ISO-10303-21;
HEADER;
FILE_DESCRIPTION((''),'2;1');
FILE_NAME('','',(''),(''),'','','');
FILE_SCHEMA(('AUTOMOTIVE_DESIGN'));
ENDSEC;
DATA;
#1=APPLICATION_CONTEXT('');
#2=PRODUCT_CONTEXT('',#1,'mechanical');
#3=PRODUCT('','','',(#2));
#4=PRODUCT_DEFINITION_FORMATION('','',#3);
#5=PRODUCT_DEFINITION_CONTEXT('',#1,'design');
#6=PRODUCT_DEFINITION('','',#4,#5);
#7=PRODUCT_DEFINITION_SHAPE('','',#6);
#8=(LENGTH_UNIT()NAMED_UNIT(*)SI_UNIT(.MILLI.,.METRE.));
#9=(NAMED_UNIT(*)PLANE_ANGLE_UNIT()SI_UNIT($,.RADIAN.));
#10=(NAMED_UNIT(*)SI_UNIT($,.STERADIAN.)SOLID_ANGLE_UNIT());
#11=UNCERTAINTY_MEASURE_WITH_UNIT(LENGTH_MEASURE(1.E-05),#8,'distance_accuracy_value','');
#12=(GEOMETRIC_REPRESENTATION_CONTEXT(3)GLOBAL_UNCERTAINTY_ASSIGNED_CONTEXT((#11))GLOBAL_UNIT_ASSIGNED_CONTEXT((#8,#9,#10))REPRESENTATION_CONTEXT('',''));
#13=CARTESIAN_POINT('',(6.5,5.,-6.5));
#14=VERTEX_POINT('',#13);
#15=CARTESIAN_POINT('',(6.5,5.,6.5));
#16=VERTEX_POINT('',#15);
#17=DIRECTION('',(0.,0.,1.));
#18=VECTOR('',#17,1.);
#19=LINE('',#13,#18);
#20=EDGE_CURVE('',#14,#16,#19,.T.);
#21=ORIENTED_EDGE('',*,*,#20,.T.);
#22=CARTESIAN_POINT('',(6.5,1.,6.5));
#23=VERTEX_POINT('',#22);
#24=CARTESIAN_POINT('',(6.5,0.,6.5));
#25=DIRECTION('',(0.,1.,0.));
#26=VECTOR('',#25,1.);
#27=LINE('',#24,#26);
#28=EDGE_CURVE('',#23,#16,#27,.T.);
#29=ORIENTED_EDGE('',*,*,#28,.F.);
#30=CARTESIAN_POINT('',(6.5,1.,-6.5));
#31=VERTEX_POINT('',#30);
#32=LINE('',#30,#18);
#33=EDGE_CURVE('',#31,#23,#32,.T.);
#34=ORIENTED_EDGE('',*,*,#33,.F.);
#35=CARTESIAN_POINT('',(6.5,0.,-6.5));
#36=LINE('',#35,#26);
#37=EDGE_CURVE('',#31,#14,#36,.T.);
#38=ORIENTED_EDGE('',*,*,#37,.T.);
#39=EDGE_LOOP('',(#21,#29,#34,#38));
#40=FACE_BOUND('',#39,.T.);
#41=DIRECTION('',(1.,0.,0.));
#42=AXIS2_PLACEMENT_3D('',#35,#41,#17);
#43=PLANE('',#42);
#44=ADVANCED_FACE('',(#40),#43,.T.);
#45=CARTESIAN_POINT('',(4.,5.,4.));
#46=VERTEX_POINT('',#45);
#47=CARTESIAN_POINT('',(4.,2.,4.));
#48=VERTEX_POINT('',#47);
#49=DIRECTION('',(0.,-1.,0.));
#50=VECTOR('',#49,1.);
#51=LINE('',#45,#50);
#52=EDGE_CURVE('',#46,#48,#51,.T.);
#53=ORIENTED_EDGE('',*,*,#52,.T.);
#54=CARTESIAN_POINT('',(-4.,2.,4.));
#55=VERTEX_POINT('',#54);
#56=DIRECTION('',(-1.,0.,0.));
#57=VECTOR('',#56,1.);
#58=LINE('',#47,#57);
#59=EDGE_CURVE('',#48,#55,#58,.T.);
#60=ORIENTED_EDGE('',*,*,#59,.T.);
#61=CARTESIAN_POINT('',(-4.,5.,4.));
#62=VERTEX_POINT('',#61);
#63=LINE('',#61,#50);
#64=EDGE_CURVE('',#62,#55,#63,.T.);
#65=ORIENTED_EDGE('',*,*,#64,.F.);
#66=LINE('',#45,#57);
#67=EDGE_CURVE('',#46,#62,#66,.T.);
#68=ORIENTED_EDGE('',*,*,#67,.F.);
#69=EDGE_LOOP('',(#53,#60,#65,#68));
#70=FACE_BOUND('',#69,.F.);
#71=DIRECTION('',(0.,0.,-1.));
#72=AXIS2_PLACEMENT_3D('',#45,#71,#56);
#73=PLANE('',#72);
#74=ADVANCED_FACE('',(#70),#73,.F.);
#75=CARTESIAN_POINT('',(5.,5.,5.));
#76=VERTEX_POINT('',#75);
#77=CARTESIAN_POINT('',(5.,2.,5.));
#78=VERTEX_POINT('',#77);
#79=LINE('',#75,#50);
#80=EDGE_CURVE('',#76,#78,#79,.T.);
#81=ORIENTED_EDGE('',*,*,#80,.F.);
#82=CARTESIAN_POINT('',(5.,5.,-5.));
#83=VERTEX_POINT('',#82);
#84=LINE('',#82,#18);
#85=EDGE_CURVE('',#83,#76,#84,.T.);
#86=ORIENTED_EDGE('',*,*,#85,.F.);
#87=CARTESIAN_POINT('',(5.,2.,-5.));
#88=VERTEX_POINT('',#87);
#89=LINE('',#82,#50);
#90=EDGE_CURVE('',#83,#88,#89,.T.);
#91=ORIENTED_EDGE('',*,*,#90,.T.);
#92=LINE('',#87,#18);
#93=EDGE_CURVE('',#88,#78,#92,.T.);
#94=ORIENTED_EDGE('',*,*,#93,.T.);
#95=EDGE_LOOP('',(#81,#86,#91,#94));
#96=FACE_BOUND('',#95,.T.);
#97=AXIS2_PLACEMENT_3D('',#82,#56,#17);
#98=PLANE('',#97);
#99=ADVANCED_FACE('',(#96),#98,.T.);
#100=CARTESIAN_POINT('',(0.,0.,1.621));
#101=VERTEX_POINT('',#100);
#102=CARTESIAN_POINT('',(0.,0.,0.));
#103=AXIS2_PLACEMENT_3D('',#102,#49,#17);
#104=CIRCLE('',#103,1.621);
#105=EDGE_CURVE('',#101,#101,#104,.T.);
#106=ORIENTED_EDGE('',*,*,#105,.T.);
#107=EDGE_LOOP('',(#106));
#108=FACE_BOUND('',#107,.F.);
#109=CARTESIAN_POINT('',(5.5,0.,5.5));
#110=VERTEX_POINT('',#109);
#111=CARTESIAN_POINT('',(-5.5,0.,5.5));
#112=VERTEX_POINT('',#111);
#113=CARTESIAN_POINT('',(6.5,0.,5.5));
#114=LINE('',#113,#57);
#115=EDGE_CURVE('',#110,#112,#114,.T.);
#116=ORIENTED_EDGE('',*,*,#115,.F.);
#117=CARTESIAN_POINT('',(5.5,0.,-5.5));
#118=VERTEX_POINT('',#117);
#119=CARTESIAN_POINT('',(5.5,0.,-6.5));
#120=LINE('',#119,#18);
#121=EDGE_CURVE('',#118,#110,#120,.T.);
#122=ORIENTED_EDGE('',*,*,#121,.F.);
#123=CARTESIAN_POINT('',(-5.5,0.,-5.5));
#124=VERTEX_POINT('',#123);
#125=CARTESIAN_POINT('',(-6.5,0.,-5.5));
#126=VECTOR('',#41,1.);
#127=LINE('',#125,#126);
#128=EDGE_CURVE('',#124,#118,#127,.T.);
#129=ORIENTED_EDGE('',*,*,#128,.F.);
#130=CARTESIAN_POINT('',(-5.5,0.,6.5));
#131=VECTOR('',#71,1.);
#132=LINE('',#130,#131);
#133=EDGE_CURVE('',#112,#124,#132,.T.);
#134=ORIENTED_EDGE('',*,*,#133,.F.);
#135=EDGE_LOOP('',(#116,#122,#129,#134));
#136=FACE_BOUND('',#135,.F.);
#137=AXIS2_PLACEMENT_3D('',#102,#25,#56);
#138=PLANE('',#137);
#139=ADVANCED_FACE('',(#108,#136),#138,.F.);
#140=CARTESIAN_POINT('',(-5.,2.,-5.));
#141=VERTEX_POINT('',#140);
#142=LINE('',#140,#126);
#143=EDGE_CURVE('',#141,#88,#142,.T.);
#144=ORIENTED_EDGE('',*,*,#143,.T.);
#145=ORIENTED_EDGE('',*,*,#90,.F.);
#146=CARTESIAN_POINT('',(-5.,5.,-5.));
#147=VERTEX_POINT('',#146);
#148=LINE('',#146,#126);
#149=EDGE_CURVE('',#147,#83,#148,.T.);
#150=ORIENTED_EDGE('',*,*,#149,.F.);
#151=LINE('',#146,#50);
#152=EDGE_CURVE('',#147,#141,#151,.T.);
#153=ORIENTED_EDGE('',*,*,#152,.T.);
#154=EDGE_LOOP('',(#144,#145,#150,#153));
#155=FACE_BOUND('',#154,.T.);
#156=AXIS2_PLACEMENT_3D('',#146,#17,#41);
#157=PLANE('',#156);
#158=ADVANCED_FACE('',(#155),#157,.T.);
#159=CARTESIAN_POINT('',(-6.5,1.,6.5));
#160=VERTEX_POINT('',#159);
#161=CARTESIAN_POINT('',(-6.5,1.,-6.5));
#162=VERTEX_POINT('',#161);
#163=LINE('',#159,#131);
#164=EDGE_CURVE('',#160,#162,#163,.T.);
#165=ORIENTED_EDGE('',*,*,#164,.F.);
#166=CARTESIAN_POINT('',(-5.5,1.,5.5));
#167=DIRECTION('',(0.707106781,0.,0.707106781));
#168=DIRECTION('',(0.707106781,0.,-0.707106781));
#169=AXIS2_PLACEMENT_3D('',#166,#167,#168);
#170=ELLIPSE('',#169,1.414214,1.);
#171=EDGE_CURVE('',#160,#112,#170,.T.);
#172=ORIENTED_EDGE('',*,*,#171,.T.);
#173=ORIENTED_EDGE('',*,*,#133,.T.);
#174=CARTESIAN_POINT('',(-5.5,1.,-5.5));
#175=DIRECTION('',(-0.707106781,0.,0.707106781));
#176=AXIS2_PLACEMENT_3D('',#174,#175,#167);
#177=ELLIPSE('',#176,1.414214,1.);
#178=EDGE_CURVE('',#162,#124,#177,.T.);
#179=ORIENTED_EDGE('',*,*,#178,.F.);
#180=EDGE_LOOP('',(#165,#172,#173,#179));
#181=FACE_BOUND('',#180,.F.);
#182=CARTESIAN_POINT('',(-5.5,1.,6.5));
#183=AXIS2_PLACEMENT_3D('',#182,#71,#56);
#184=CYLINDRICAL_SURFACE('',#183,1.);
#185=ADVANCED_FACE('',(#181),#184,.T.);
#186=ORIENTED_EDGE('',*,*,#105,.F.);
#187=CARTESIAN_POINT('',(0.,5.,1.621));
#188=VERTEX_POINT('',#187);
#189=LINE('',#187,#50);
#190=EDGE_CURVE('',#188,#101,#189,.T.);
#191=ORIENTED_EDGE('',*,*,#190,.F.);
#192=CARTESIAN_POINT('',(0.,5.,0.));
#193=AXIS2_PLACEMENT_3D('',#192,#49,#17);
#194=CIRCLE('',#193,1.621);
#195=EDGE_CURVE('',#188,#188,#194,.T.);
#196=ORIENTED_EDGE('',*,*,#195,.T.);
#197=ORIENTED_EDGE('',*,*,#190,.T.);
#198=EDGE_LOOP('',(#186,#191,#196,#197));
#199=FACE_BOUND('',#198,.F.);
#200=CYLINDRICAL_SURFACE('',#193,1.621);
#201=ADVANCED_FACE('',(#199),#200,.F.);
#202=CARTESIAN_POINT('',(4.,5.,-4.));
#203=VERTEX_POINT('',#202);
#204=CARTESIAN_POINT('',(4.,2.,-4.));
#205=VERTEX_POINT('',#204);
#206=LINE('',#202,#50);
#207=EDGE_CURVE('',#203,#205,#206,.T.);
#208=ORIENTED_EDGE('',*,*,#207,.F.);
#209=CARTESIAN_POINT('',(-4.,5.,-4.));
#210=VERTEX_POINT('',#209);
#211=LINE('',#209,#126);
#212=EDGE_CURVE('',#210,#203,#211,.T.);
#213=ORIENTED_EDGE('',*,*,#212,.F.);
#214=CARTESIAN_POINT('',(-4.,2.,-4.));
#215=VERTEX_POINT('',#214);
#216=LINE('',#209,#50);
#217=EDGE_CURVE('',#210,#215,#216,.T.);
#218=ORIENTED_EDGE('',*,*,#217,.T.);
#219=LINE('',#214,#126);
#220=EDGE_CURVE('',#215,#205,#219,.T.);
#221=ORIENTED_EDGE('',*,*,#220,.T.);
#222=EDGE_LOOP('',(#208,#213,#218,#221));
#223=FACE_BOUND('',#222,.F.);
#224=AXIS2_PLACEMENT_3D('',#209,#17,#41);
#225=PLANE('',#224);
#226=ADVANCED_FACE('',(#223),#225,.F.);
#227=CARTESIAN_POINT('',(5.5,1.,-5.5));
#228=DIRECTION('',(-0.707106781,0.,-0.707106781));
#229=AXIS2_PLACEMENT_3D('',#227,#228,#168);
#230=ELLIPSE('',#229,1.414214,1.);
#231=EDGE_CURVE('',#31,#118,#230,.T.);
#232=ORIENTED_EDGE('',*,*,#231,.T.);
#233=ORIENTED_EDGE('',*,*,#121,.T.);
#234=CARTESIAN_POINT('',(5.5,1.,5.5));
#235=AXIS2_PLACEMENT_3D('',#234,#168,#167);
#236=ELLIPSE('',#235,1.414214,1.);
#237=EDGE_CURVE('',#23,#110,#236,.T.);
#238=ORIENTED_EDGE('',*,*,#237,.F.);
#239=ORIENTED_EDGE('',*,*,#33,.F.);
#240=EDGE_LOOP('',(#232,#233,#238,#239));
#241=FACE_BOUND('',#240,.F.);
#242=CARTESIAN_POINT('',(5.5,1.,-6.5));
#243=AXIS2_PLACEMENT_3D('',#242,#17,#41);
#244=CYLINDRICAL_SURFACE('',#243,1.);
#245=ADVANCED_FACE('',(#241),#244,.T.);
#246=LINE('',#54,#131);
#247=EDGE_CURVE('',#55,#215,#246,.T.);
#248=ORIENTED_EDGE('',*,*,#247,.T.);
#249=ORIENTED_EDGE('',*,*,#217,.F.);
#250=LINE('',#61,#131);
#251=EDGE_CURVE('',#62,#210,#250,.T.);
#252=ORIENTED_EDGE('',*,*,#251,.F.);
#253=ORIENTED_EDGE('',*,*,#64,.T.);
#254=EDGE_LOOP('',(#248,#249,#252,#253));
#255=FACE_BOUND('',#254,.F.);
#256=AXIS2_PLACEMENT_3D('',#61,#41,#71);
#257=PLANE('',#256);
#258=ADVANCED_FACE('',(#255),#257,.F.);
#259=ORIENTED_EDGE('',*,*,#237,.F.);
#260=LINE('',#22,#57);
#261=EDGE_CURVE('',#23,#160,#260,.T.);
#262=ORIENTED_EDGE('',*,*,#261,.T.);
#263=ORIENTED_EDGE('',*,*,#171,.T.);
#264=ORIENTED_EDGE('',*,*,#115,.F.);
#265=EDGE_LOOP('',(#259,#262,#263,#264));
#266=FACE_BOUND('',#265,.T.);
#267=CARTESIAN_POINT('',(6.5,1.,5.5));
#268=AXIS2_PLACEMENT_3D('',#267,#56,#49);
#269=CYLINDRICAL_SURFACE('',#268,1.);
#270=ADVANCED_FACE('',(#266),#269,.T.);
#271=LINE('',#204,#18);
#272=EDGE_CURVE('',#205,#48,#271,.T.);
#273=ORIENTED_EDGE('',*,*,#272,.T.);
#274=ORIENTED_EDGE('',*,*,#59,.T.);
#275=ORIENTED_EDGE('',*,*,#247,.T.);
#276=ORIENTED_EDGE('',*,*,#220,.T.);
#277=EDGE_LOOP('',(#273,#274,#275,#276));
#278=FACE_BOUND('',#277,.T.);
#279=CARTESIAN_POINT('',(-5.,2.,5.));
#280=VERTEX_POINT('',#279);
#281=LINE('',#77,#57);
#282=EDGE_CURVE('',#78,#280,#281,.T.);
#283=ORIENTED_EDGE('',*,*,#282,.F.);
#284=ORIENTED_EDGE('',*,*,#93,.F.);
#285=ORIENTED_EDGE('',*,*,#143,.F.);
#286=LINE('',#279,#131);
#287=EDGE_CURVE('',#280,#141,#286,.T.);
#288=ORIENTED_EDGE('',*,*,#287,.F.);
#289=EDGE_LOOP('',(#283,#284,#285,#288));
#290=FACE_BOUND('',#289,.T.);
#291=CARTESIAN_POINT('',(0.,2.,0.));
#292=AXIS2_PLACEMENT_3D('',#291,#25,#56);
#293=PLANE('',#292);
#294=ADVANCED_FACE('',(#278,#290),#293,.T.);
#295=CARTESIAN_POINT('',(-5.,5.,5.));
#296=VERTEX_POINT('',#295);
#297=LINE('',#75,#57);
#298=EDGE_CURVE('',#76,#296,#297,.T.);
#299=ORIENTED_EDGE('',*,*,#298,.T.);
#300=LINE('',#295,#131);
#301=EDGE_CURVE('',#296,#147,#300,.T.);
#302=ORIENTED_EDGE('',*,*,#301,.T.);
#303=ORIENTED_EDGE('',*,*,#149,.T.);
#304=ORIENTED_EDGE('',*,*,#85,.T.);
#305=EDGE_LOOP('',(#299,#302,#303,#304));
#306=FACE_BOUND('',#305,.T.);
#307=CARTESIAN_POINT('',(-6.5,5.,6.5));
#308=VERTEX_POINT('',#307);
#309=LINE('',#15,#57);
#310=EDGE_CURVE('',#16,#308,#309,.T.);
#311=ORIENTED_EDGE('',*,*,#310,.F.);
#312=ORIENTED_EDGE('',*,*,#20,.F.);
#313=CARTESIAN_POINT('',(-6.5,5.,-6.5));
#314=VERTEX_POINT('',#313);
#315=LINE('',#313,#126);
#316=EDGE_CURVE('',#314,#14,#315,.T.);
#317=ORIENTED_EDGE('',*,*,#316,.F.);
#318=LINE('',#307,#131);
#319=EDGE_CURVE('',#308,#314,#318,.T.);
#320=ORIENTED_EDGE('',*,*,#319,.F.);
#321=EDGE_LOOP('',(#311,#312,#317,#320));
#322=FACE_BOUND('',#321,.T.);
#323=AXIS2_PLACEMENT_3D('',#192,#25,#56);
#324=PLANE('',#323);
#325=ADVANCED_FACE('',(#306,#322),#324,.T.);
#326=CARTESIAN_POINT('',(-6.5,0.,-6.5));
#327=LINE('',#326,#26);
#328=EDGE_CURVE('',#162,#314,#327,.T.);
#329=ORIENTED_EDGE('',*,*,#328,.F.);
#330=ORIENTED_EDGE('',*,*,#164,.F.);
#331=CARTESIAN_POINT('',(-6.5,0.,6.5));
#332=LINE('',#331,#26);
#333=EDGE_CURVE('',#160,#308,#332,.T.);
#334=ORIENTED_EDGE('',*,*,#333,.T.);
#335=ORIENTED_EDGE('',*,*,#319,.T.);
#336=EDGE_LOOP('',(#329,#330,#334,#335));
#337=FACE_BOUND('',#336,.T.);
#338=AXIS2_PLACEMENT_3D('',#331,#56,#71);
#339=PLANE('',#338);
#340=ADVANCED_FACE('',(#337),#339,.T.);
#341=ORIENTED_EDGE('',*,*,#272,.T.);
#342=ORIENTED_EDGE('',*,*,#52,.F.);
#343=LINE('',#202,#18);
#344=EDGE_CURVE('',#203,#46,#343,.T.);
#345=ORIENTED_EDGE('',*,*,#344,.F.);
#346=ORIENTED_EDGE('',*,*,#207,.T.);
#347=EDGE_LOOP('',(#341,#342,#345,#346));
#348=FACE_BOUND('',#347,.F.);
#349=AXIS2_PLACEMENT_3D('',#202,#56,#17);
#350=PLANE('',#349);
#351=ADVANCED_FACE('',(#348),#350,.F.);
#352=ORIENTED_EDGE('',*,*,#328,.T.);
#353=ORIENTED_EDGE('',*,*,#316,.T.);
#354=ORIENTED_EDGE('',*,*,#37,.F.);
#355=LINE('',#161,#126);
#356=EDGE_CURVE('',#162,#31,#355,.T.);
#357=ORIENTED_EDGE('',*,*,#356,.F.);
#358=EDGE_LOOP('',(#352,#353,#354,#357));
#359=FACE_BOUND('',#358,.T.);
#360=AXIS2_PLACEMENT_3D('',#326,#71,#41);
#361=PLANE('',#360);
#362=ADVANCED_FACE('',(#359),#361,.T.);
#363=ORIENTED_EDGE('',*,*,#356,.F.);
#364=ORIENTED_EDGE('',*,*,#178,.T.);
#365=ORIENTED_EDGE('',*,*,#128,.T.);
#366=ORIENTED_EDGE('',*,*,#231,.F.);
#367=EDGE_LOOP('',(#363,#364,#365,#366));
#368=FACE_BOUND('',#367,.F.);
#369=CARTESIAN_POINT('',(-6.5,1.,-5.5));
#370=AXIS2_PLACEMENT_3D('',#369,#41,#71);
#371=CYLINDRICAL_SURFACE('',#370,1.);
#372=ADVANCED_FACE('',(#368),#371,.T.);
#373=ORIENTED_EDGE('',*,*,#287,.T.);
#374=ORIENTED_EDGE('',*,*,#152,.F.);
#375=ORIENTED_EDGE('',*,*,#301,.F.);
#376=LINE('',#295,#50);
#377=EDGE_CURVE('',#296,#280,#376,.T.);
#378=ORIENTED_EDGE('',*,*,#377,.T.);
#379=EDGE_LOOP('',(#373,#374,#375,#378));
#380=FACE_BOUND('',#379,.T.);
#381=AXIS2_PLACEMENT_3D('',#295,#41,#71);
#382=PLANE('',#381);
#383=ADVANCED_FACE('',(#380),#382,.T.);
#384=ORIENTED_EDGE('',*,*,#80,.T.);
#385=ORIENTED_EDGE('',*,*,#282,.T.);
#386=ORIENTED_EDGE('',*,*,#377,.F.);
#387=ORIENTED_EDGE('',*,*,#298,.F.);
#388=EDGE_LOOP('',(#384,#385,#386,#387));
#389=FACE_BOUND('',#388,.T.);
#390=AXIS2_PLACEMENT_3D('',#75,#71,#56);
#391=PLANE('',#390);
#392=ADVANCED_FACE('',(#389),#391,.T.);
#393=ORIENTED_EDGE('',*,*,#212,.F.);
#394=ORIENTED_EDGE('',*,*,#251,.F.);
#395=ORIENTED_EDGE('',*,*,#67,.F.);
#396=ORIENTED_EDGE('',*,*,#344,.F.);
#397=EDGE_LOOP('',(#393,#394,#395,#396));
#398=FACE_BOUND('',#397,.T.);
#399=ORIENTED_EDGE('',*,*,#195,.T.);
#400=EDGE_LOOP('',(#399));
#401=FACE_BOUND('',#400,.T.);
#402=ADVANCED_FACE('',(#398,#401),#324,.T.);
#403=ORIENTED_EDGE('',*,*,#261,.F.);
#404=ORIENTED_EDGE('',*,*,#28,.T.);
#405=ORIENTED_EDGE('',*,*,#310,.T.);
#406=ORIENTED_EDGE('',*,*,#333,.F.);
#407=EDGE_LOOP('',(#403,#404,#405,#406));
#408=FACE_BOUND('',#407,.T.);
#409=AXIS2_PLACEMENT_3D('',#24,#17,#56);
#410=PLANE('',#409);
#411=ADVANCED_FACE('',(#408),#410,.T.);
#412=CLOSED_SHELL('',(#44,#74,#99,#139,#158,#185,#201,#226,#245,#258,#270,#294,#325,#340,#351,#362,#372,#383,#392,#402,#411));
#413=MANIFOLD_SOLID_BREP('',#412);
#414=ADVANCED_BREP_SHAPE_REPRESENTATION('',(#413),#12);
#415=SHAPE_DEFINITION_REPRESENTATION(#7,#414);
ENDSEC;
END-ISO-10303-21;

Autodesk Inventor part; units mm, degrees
ref_plane "YZ Plane" through (0, 0, 0) normal (1, 0, 0) x (0, 1, 0)
ref_plane "XY Plane" through (0, 0, 0) normal (0, 0, 1) x (1, 0, 0)
sketch "スケッチ1" plane through (0, 0, 0) normal (0, 1, 0) x (-1, 0, 0)
  line L0 (6.5, -6.5) -> (-6.5, -6.5)
  line L1 (-6.5, -6.5) -> (-6.5, 6.5)
  line L2 (-6.5, 6.5) -> (6.5, 6.5)
  line L3 (6.5, 6.5) -> (6.5, -6.5)
  line L4 (6.5, -6.5) -> (-6.5, 6.5) construction
  line L5 (-6.5, -6.5) -> (6.5, 6.5) construction
  dimension "d1" = 13
  dimension "d2" = 13
extrude "押し出し4" add sketch "スケッチ1" along normal blind 5
ref_plane "作業平面2" through (0, 5, 0) normal (0, 1, 0) x (-1, 0, 0)
sketch "スケッチ3" plane through (0, 5, 0) normal (0, 1, 0) x (-1, 0, 0)
  line L0 (4, -4) -> (-4, -4)
  line L1 (-4, -4) -> (-4, 4)
  line L2 (-4, 4) -> (4, 4)
  line L3 (4, 4) -> (4, -4)
  line L4 (4, -4) -> (-4, 4) construction
  line L5 (-4, -4) -> (4, 4) construction
  line L6 (5, -5) -> (-5, -5)
  line L7 (-5, -5) -> (-5, 5)
  line L8 (-5, 5) -> (5, 5)
  line L9 (5, 5) -> (5, -5)
  line L10 (5, -5) -> (-5, 5) construction
  line L11 (-5, -5) -> (5, 5) construction
  point P0 (0, 0)
  point P1 (0, 0)
  dimension "d19" = 8
  dimension "d20" = 8
  dimension "d21" = 10
  dimension "d22" = 10
extrude "押し出し5" cut sketch "スケッチ3" against normal blind 3
hole "穴1" at (0, 5, 0) direction (0, -1, 0) diameter 3.242 end through all thread size "M4x0.7" class "6H" standard "ANSI Metric M Profile"
fillet "フィレット1" radius 1 4 edges at (0, 0, -6.5) (6.5, 0, 0) (-6.5, 0, 0) (0, 0, 6.5)
sketch "スケッチ4" plane through (0, 5, 0) normal (0, 1, 0) x (1, 0, 0)
  point P0 (0, 0)
sketch "スケッチ5" plane through (0, 5, 0) normal (0, 1, 0) x (1, 0, 0)
  point P0 (0, 0)
properties part number "pin_joint_ver1"
